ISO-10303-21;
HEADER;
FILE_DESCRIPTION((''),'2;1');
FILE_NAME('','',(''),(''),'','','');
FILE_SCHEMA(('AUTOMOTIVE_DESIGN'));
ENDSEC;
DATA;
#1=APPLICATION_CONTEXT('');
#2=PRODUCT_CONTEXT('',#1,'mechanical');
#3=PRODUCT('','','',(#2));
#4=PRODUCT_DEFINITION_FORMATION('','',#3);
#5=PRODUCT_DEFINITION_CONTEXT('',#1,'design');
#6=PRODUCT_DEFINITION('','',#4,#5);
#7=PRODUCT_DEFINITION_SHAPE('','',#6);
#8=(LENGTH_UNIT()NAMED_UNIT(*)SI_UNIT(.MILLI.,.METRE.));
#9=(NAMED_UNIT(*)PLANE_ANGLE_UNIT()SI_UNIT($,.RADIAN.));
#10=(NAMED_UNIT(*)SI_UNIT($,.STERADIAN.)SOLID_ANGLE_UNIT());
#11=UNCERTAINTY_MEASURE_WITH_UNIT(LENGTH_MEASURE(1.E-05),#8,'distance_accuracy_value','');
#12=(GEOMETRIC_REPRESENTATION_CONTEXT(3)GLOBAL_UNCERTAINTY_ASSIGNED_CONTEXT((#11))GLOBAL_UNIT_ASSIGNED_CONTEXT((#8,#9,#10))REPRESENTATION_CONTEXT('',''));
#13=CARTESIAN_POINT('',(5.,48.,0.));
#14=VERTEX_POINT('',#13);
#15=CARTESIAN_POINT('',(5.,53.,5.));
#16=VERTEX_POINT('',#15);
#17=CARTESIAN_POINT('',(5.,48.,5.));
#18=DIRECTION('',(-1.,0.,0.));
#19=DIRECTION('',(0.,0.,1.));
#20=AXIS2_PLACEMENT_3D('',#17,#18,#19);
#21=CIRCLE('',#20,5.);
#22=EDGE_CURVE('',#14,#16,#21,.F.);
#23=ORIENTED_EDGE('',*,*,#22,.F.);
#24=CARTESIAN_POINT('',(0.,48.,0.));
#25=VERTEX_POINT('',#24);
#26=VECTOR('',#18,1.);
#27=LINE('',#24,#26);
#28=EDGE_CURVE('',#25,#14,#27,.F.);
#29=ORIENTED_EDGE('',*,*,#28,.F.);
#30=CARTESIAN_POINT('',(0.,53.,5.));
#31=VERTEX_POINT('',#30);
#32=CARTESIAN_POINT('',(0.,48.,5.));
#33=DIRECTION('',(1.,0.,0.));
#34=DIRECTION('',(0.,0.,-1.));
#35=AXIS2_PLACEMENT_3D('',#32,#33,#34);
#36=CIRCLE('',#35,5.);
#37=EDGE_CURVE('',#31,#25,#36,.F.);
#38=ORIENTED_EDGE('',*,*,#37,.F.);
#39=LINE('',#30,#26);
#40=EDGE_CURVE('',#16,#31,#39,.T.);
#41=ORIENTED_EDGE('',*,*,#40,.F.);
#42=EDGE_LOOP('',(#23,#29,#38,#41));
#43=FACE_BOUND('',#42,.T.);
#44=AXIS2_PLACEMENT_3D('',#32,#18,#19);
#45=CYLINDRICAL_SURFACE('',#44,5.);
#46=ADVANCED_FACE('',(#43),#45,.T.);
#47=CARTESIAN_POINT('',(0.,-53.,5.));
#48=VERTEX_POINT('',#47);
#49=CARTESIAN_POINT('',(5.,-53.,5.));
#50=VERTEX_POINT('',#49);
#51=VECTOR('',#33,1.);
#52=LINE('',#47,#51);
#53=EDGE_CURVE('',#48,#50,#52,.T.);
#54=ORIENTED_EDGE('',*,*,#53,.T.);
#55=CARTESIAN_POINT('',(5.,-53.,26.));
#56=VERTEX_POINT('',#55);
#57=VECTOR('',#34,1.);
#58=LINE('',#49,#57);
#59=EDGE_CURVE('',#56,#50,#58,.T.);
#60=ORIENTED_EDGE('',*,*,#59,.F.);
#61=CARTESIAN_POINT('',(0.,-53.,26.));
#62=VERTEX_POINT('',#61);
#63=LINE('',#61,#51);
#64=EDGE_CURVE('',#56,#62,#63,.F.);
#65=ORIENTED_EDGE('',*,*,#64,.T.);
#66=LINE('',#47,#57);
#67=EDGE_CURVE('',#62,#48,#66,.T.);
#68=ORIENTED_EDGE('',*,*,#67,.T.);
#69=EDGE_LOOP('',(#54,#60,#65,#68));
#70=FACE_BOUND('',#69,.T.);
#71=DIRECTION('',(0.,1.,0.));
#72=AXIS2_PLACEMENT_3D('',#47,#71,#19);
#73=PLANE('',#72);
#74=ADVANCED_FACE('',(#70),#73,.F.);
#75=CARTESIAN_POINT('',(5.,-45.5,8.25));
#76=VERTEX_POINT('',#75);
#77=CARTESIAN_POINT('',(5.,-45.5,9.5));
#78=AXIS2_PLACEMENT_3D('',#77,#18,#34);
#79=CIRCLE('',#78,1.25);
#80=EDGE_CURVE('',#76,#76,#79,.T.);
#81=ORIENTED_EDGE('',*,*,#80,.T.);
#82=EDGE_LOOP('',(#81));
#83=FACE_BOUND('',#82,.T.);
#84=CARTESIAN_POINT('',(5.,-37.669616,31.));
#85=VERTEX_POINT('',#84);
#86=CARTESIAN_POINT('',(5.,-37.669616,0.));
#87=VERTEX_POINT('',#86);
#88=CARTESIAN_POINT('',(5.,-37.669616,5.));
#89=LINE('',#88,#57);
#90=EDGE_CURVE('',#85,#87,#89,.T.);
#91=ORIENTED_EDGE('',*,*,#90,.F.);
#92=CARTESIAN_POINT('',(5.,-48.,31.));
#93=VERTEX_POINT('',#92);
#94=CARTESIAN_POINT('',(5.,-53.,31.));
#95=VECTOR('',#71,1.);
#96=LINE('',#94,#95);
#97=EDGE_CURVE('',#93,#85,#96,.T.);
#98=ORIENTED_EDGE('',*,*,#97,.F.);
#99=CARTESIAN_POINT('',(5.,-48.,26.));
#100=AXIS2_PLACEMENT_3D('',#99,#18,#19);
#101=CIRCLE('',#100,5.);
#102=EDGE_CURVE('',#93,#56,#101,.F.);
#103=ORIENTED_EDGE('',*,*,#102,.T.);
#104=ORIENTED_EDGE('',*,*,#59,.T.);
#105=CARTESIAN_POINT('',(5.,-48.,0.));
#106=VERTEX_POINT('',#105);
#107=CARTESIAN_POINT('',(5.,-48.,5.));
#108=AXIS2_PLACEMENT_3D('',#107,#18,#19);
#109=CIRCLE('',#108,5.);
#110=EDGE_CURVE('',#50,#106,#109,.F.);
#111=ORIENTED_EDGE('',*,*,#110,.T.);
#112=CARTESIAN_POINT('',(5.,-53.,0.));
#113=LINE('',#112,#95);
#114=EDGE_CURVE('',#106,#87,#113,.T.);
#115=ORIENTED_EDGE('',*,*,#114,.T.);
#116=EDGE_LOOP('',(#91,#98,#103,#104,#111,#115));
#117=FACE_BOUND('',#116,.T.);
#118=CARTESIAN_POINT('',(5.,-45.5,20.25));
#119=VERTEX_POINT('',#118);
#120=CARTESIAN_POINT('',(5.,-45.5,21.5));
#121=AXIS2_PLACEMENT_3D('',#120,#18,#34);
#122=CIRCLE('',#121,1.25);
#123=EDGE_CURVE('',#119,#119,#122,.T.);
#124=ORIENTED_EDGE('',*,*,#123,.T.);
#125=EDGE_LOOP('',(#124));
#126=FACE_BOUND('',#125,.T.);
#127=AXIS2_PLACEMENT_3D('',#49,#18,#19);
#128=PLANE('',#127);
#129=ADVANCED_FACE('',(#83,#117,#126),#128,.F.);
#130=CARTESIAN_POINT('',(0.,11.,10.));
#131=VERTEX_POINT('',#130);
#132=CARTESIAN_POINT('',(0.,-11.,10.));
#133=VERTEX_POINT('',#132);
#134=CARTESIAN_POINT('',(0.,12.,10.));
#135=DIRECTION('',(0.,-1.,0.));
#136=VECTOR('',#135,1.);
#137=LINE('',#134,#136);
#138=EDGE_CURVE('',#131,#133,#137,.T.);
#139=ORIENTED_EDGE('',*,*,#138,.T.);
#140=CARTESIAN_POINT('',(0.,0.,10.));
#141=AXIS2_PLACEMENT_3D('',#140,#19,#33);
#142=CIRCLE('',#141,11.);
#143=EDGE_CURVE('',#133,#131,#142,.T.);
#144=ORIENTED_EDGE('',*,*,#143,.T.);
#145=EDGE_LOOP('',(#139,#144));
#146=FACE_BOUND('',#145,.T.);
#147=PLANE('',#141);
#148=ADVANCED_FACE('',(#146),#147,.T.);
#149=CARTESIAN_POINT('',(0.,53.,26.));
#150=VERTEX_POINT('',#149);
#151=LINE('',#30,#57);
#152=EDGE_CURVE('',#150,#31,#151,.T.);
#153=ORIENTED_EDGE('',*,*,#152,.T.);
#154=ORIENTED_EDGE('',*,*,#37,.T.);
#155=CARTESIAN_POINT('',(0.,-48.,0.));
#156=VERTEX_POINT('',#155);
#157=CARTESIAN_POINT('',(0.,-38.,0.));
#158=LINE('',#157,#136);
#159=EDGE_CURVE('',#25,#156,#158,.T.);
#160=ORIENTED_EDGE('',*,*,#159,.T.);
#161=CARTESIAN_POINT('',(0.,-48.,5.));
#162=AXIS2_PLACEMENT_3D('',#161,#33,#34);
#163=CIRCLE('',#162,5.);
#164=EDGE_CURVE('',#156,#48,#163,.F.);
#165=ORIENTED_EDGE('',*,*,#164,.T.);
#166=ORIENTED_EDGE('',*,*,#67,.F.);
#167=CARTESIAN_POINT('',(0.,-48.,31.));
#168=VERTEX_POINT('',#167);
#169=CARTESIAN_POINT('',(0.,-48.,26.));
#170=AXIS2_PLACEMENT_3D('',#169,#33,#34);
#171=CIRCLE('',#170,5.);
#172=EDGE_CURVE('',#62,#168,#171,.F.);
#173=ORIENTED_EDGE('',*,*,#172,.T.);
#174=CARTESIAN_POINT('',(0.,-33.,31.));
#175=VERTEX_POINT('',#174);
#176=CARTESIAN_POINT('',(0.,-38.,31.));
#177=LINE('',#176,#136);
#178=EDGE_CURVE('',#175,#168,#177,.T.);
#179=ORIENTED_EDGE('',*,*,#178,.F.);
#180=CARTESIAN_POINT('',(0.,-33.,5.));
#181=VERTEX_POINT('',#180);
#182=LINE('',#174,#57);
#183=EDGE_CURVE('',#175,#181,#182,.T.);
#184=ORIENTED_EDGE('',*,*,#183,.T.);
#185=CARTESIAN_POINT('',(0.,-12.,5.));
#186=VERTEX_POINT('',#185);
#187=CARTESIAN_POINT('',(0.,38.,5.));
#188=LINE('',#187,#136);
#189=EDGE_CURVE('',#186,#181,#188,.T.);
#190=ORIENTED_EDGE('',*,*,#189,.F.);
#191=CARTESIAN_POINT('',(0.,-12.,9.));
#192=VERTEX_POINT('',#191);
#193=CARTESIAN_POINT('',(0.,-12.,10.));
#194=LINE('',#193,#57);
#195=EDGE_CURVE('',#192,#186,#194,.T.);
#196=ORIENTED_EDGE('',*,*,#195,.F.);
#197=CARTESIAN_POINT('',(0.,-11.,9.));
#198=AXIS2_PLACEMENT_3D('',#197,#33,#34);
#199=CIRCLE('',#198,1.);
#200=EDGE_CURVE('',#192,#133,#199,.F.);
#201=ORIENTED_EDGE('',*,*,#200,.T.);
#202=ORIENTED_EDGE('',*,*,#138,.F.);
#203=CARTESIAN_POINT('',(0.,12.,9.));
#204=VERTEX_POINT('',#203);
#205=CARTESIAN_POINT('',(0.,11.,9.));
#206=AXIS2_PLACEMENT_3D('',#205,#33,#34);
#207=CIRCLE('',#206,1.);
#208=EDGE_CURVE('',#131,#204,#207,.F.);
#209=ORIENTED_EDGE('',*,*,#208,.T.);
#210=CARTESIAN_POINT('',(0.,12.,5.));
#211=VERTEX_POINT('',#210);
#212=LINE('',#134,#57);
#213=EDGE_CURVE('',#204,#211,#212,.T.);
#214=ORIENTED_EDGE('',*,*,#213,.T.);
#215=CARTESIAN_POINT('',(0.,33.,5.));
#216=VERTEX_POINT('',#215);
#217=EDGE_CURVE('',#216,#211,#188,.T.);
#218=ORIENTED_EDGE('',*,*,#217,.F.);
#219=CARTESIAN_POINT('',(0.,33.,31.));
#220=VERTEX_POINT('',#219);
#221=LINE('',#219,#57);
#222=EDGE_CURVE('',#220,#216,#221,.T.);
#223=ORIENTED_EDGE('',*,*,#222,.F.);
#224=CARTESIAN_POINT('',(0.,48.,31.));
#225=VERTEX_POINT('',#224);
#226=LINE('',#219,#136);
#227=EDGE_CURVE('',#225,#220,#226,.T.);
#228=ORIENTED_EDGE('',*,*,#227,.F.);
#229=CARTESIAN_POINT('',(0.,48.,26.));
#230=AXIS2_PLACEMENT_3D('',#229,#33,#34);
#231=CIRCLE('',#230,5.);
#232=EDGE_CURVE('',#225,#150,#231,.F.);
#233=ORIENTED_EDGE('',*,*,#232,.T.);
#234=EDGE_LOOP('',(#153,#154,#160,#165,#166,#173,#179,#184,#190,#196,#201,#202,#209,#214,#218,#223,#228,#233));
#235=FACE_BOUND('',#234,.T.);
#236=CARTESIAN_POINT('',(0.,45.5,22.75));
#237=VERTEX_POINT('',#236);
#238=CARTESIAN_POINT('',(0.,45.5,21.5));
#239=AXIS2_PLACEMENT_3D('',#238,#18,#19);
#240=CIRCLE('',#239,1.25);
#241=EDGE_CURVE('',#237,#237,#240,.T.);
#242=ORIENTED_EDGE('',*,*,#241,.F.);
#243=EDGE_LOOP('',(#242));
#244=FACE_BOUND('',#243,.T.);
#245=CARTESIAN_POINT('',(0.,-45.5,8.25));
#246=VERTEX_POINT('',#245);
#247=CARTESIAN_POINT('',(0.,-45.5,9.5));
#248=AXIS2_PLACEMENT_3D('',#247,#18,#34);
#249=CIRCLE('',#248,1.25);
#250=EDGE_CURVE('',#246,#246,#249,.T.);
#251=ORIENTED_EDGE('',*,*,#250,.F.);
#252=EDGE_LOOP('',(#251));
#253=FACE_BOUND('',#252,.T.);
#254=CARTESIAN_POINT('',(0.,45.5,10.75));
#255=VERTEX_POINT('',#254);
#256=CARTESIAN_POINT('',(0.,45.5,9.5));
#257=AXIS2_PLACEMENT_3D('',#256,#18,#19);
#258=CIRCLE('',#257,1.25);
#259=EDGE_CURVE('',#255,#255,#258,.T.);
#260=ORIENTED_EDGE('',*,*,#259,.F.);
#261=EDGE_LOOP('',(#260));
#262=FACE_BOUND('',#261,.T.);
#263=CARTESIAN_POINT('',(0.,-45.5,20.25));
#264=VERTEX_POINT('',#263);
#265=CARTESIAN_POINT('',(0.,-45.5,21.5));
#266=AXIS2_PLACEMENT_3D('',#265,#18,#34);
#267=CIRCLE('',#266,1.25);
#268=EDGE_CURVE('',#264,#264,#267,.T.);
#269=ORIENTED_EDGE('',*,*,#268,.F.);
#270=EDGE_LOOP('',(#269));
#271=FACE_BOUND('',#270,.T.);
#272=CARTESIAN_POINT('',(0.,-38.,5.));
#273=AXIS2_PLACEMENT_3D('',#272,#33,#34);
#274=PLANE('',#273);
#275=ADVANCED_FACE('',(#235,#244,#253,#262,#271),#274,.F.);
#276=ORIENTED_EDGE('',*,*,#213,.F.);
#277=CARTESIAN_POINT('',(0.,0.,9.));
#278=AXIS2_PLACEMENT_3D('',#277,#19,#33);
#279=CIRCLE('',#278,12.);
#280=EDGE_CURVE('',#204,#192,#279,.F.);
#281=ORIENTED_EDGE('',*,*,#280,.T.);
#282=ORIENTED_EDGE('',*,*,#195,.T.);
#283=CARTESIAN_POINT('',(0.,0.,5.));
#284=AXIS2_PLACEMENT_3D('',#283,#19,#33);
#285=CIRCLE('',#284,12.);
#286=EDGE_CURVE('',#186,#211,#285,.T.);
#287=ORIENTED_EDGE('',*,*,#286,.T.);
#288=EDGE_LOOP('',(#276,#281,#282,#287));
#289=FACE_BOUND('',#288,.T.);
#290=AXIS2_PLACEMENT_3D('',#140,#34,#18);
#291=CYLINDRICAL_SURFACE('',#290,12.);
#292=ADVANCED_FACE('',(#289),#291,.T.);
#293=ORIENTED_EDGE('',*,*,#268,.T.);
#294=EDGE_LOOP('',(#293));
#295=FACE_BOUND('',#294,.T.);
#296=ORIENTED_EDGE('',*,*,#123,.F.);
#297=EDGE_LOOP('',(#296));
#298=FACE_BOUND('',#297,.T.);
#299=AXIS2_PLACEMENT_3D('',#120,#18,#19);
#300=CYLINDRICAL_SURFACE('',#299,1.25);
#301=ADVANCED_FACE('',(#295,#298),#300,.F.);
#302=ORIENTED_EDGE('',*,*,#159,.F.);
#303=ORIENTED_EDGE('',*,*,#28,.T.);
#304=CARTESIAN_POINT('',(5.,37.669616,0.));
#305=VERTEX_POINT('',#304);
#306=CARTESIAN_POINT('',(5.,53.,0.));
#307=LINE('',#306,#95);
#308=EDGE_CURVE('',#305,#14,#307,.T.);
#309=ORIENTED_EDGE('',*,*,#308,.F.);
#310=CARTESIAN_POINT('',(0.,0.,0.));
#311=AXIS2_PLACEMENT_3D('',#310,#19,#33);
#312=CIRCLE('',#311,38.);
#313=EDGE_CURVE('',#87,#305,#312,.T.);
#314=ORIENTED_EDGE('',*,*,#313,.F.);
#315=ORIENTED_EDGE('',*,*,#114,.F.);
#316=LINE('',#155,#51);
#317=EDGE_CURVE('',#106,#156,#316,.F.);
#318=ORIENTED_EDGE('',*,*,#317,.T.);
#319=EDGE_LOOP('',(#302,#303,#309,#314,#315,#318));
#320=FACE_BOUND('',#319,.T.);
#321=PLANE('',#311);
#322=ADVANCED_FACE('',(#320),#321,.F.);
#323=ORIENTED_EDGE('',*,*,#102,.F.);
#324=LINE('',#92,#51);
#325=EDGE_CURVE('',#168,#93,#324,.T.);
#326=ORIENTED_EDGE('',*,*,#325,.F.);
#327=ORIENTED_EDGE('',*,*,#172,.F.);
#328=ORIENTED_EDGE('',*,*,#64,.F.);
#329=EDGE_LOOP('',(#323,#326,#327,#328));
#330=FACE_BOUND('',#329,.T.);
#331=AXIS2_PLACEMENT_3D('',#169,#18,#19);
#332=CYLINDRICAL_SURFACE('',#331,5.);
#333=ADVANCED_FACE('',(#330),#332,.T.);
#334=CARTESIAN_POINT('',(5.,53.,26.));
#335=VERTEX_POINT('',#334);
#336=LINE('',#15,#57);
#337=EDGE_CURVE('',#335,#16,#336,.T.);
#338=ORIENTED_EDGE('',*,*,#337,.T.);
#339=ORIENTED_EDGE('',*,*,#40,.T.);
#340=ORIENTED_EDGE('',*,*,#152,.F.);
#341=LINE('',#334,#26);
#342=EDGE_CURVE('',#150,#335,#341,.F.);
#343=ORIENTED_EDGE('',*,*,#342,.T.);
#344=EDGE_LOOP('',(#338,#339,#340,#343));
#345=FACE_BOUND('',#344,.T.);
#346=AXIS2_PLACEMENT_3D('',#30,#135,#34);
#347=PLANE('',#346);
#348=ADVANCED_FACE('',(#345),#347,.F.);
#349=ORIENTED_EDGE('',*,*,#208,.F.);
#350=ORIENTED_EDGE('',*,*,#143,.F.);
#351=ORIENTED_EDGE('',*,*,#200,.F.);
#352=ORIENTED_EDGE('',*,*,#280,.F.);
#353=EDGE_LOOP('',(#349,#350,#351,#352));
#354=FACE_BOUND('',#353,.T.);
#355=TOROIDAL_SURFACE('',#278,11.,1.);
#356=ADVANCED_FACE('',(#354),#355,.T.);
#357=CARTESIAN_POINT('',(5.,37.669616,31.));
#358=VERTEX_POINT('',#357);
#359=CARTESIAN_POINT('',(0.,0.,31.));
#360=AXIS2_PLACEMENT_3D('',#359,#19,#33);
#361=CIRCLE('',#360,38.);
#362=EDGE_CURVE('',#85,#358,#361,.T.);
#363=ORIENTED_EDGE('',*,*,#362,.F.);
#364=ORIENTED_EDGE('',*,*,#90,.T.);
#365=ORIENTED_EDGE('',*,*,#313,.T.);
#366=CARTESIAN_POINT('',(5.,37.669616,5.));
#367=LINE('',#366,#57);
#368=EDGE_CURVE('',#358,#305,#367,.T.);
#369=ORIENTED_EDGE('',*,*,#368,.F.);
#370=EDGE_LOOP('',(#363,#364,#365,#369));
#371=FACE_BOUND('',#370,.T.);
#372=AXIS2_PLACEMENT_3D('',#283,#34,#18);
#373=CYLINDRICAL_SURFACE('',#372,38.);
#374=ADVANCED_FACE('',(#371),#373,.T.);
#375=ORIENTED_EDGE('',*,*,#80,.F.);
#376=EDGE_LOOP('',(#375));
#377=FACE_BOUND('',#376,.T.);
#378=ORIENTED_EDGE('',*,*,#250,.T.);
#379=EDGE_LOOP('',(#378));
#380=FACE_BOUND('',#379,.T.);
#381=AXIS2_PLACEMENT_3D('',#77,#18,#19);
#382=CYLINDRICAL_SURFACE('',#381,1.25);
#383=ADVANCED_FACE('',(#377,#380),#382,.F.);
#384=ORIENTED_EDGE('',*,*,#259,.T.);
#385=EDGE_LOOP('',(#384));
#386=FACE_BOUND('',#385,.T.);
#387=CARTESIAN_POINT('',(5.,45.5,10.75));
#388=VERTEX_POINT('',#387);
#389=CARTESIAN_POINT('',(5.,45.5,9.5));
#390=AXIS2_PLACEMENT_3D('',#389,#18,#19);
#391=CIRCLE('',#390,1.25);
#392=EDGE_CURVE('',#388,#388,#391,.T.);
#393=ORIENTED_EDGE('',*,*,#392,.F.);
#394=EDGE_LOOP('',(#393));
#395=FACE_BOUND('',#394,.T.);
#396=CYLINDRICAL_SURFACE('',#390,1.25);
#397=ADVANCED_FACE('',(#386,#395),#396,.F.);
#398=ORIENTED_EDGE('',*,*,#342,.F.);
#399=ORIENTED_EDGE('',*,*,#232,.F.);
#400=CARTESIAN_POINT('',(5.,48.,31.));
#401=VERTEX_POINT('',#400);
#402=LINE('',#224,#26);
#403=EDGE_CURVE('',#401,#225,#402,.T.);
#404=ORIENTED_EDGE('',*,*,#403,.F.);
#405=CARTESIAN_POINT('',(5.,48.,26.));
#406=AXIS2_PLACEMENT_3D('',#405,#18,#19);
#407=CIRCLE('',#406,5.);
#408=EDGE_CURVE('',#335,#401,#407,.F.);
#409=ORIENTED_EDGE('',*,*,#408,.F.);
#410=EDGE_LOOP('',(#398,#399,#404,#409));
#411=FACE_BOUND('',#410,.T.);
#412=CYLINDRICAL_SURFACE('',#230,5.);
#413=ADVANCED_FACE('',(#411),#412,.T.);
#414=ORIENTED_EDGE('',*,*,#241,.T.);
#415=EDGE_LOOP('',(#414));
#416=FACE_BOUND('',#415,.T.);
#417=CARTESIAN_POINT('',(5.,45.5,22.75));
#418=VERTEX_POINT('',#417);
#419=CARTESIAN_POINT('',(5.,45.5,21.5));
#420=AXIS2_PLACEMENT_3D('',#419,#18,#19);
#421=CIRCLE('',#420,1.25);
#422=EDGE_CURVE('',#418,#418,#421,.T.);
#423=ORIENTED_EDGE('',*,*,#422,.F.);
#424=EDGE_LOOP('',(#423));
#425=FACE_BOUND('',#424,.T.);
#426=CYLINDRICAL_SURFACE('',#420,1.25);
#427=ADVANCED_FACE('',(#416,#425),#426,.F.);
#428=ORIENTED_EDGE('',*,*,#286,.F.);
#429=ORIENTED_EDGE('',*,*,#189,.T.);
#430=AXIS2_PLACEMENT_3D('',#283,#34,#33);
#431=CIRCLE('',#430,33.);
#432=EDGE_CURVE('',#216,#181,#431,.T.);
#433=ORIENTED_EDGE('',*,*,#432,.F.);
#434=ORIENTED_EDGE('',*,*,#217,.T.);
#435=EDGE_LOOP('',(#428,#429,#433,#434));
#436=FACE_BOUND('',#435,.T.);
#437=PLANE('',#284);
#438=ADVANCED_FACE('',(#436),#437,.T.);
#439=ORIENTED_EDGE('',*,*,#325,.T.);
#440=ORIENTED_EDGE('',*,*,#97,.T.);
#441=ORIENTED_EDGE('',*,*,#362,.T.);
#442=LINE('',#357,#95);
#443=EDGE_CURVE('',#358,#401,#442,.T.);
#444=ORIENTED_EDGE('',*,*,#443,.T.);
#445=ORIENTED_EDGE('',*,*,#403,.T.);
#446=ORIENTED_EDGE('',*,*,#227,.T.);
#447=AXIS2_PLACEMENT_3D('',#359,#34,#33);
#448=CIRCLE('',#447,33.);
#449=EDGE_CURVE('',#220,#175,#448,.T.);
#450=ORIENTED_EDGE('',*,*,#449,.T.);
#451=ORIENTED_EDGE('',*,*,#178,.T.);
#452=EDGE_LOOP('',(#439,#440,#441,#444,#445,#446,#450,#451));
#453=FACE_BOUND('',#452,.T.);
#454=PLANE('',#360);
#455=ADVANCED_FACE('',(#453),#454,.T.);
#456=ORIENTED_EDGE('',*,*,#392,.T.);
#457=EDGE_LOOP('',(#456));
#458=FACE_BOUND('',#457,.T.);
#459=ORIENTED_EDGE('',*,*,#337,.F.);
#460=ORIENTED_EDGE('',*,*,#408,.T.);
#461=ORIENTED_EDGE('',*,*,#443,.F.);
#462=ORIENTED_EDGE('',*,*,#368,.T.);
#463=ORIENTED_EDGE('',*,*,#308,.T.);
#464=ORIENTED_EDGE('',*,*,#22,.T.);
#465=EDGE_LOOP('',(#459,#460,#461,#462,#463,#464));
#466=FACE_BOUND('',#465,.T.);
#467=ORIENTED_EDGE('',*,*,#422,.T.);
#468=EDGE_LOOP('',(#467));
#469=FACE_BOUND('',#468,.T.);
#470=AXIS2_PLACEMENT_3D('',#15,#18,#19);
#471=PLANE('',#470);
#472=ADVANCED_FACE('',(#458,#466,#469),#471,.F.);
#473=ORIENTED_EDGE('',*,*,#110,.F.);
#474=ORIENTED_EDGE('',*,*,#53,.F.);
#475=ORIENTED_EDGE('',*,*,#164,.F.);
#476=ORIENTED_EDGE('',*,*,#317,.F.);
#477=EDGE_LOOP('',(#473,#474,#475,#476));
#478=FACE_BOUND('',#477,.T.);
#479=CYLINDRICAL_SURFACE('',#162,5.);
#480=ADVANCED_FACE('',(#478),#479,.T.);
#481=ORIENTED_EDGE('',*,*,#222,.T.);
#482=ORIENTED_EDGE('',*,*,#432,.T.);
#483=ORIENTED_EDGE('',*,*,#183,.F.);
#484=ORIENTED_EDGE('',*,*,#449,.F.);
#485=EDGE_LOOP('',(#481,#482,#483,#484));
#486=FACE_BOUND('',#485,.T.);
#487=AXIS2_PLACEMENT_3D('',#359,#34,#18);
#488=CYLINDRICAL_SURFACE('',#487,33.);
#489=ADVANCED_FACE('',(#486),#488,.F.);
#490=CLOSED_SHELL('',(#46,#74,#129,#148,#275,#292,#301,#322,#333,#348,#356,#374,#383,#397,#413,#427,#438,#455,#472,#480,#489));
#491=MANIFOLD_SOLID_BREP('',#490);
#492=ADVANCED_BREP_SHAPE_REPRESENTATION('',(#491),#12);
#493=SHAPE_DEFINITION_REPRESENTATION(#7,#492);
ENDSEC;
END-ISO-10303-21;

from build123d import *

# Parameters (mm, degrees)
SALIENTE_EXTRUIR1_DEPTH = 5
SALIENTE_EXTRUIR2_DEPTH = 26
SALIENTE_EXTRUIR3_DEPTH = 5
REDONDEO1_R             = 1
SALIENTE_EXTRUIR4_DEPTH = 26
REDONDEO2_R             = 5
CROQUIS5_R              = 1.25
CORTAR_EXTRUIR1_DEPTH   = 5


with BuildPart() as part:
    # Croquis1 → Saliente-Extruir1 (new body)
    with BuildSketch(Plane.XY):
        with BuildLine():
            Line((0, -38), (0, 38))
            Line((0, 38), (0, 53))
            Line((0, 53), (5, 53))
            Line((5, 53), (5, 37.669616404))
            ThreePointArc((5, 37.669616404), (38, 0), (5, -37.669616404))
            Line((5, -37.669616404), (5, -53))
            Line((5, -53), (0, -53))
            Line((0, -53), (0, -38))
        make_face()
    extrude(amount=SALIENTE_EXTRUIR1_DEPTH)

    # Croquis2 → Saliente-Extruir2 (add)
    with BuildSketch(Plane.XY.offset(5)):
        with BuildLine():
            Line((0, -38), (0, -33))
            ThreePointArc((0, -33), (33, 0), (0, 33))
            Line((0, 33), (0, 38))
            ThreePointArc((0, 38), (38, 0), (0, -38))
        make_face()
    extrude(amount=SALIENTE_EXTRUIR2_DEPTH)

    # Croquis3 → Saliente-Extruir3 (add)
    with BuildSketch(Plane.XY.offset(5)):
        with BuildLine():
            Line((0, 12), (0, -12))
            ThreePointArc((0, -12), (12, 0), (0, 12))
        make_face()
    extrude(amount=SALIENTE_EXTRUIR3_DEPTH)

    # Redondeo1
    redondeo1_edges = [part.edges().sort_by_distance(p)[0] for p in [
        (12, 0, 10),
    ]]
    fillet(redondeo1_edges, radius=REDONDEO1_R)

    # Croquis4 → Saliente-Extruir4 (add)
    with BuildSketch(Plane.XY.offset(5)):
        with BuildLine():
            Line((0, -38), (0, -53))
            Line((0, -53), (5, -53))
            Line((5, -53), (5, -37.669616404))
            ThreePointArc((5, -37.669616404), (2.505451722, -37.917314141), (0, -38))
        make_face()
        with BuildLine():
            Line((5, 37.669616404), (5, 53))
            Line((5, 53), (0, 53))
            Line((0, 53), (0, 38))
            ThreePointArc((0, 38), (2.505451722, 37.917314141), (5, 37.669616404))
        make_face()
    extrude(amount=SALIENTE_EXTRUIR4_DEPTH)

    # Redondeo2
    redondeo2_edges = [part.edges().sort_by_distance(p)[0] for p in [
        (2.5, 53, 0),
        (2.5, -53, 31),
        (2.5, 53, 31),
        (2.5, -53, 0),
    ]]
    fillet(redondeo2_edges, radius=REDONDEO2_R)

    # Croquis5 → Cortar-Extruir1 (cut)
    with BuildSketch(Plane.ZY):
        with Locations((9.5, 45.5)):
            Circle(CROQUIS5_R)
        with Locations((21.5, 45.5)):
            Circle(CROQUIS5_R)
        with Locations((21.5, -45.5)):
            Circle(CROQUIS5_R)
        with Locations((9.5, -45.5)):
            Circle(CROQUIS5_R)
    extrude(amount=-CORTAR_EXTRUIR1_DEPTH, mode=Mode.SUBTRACT)


solid = part.part
